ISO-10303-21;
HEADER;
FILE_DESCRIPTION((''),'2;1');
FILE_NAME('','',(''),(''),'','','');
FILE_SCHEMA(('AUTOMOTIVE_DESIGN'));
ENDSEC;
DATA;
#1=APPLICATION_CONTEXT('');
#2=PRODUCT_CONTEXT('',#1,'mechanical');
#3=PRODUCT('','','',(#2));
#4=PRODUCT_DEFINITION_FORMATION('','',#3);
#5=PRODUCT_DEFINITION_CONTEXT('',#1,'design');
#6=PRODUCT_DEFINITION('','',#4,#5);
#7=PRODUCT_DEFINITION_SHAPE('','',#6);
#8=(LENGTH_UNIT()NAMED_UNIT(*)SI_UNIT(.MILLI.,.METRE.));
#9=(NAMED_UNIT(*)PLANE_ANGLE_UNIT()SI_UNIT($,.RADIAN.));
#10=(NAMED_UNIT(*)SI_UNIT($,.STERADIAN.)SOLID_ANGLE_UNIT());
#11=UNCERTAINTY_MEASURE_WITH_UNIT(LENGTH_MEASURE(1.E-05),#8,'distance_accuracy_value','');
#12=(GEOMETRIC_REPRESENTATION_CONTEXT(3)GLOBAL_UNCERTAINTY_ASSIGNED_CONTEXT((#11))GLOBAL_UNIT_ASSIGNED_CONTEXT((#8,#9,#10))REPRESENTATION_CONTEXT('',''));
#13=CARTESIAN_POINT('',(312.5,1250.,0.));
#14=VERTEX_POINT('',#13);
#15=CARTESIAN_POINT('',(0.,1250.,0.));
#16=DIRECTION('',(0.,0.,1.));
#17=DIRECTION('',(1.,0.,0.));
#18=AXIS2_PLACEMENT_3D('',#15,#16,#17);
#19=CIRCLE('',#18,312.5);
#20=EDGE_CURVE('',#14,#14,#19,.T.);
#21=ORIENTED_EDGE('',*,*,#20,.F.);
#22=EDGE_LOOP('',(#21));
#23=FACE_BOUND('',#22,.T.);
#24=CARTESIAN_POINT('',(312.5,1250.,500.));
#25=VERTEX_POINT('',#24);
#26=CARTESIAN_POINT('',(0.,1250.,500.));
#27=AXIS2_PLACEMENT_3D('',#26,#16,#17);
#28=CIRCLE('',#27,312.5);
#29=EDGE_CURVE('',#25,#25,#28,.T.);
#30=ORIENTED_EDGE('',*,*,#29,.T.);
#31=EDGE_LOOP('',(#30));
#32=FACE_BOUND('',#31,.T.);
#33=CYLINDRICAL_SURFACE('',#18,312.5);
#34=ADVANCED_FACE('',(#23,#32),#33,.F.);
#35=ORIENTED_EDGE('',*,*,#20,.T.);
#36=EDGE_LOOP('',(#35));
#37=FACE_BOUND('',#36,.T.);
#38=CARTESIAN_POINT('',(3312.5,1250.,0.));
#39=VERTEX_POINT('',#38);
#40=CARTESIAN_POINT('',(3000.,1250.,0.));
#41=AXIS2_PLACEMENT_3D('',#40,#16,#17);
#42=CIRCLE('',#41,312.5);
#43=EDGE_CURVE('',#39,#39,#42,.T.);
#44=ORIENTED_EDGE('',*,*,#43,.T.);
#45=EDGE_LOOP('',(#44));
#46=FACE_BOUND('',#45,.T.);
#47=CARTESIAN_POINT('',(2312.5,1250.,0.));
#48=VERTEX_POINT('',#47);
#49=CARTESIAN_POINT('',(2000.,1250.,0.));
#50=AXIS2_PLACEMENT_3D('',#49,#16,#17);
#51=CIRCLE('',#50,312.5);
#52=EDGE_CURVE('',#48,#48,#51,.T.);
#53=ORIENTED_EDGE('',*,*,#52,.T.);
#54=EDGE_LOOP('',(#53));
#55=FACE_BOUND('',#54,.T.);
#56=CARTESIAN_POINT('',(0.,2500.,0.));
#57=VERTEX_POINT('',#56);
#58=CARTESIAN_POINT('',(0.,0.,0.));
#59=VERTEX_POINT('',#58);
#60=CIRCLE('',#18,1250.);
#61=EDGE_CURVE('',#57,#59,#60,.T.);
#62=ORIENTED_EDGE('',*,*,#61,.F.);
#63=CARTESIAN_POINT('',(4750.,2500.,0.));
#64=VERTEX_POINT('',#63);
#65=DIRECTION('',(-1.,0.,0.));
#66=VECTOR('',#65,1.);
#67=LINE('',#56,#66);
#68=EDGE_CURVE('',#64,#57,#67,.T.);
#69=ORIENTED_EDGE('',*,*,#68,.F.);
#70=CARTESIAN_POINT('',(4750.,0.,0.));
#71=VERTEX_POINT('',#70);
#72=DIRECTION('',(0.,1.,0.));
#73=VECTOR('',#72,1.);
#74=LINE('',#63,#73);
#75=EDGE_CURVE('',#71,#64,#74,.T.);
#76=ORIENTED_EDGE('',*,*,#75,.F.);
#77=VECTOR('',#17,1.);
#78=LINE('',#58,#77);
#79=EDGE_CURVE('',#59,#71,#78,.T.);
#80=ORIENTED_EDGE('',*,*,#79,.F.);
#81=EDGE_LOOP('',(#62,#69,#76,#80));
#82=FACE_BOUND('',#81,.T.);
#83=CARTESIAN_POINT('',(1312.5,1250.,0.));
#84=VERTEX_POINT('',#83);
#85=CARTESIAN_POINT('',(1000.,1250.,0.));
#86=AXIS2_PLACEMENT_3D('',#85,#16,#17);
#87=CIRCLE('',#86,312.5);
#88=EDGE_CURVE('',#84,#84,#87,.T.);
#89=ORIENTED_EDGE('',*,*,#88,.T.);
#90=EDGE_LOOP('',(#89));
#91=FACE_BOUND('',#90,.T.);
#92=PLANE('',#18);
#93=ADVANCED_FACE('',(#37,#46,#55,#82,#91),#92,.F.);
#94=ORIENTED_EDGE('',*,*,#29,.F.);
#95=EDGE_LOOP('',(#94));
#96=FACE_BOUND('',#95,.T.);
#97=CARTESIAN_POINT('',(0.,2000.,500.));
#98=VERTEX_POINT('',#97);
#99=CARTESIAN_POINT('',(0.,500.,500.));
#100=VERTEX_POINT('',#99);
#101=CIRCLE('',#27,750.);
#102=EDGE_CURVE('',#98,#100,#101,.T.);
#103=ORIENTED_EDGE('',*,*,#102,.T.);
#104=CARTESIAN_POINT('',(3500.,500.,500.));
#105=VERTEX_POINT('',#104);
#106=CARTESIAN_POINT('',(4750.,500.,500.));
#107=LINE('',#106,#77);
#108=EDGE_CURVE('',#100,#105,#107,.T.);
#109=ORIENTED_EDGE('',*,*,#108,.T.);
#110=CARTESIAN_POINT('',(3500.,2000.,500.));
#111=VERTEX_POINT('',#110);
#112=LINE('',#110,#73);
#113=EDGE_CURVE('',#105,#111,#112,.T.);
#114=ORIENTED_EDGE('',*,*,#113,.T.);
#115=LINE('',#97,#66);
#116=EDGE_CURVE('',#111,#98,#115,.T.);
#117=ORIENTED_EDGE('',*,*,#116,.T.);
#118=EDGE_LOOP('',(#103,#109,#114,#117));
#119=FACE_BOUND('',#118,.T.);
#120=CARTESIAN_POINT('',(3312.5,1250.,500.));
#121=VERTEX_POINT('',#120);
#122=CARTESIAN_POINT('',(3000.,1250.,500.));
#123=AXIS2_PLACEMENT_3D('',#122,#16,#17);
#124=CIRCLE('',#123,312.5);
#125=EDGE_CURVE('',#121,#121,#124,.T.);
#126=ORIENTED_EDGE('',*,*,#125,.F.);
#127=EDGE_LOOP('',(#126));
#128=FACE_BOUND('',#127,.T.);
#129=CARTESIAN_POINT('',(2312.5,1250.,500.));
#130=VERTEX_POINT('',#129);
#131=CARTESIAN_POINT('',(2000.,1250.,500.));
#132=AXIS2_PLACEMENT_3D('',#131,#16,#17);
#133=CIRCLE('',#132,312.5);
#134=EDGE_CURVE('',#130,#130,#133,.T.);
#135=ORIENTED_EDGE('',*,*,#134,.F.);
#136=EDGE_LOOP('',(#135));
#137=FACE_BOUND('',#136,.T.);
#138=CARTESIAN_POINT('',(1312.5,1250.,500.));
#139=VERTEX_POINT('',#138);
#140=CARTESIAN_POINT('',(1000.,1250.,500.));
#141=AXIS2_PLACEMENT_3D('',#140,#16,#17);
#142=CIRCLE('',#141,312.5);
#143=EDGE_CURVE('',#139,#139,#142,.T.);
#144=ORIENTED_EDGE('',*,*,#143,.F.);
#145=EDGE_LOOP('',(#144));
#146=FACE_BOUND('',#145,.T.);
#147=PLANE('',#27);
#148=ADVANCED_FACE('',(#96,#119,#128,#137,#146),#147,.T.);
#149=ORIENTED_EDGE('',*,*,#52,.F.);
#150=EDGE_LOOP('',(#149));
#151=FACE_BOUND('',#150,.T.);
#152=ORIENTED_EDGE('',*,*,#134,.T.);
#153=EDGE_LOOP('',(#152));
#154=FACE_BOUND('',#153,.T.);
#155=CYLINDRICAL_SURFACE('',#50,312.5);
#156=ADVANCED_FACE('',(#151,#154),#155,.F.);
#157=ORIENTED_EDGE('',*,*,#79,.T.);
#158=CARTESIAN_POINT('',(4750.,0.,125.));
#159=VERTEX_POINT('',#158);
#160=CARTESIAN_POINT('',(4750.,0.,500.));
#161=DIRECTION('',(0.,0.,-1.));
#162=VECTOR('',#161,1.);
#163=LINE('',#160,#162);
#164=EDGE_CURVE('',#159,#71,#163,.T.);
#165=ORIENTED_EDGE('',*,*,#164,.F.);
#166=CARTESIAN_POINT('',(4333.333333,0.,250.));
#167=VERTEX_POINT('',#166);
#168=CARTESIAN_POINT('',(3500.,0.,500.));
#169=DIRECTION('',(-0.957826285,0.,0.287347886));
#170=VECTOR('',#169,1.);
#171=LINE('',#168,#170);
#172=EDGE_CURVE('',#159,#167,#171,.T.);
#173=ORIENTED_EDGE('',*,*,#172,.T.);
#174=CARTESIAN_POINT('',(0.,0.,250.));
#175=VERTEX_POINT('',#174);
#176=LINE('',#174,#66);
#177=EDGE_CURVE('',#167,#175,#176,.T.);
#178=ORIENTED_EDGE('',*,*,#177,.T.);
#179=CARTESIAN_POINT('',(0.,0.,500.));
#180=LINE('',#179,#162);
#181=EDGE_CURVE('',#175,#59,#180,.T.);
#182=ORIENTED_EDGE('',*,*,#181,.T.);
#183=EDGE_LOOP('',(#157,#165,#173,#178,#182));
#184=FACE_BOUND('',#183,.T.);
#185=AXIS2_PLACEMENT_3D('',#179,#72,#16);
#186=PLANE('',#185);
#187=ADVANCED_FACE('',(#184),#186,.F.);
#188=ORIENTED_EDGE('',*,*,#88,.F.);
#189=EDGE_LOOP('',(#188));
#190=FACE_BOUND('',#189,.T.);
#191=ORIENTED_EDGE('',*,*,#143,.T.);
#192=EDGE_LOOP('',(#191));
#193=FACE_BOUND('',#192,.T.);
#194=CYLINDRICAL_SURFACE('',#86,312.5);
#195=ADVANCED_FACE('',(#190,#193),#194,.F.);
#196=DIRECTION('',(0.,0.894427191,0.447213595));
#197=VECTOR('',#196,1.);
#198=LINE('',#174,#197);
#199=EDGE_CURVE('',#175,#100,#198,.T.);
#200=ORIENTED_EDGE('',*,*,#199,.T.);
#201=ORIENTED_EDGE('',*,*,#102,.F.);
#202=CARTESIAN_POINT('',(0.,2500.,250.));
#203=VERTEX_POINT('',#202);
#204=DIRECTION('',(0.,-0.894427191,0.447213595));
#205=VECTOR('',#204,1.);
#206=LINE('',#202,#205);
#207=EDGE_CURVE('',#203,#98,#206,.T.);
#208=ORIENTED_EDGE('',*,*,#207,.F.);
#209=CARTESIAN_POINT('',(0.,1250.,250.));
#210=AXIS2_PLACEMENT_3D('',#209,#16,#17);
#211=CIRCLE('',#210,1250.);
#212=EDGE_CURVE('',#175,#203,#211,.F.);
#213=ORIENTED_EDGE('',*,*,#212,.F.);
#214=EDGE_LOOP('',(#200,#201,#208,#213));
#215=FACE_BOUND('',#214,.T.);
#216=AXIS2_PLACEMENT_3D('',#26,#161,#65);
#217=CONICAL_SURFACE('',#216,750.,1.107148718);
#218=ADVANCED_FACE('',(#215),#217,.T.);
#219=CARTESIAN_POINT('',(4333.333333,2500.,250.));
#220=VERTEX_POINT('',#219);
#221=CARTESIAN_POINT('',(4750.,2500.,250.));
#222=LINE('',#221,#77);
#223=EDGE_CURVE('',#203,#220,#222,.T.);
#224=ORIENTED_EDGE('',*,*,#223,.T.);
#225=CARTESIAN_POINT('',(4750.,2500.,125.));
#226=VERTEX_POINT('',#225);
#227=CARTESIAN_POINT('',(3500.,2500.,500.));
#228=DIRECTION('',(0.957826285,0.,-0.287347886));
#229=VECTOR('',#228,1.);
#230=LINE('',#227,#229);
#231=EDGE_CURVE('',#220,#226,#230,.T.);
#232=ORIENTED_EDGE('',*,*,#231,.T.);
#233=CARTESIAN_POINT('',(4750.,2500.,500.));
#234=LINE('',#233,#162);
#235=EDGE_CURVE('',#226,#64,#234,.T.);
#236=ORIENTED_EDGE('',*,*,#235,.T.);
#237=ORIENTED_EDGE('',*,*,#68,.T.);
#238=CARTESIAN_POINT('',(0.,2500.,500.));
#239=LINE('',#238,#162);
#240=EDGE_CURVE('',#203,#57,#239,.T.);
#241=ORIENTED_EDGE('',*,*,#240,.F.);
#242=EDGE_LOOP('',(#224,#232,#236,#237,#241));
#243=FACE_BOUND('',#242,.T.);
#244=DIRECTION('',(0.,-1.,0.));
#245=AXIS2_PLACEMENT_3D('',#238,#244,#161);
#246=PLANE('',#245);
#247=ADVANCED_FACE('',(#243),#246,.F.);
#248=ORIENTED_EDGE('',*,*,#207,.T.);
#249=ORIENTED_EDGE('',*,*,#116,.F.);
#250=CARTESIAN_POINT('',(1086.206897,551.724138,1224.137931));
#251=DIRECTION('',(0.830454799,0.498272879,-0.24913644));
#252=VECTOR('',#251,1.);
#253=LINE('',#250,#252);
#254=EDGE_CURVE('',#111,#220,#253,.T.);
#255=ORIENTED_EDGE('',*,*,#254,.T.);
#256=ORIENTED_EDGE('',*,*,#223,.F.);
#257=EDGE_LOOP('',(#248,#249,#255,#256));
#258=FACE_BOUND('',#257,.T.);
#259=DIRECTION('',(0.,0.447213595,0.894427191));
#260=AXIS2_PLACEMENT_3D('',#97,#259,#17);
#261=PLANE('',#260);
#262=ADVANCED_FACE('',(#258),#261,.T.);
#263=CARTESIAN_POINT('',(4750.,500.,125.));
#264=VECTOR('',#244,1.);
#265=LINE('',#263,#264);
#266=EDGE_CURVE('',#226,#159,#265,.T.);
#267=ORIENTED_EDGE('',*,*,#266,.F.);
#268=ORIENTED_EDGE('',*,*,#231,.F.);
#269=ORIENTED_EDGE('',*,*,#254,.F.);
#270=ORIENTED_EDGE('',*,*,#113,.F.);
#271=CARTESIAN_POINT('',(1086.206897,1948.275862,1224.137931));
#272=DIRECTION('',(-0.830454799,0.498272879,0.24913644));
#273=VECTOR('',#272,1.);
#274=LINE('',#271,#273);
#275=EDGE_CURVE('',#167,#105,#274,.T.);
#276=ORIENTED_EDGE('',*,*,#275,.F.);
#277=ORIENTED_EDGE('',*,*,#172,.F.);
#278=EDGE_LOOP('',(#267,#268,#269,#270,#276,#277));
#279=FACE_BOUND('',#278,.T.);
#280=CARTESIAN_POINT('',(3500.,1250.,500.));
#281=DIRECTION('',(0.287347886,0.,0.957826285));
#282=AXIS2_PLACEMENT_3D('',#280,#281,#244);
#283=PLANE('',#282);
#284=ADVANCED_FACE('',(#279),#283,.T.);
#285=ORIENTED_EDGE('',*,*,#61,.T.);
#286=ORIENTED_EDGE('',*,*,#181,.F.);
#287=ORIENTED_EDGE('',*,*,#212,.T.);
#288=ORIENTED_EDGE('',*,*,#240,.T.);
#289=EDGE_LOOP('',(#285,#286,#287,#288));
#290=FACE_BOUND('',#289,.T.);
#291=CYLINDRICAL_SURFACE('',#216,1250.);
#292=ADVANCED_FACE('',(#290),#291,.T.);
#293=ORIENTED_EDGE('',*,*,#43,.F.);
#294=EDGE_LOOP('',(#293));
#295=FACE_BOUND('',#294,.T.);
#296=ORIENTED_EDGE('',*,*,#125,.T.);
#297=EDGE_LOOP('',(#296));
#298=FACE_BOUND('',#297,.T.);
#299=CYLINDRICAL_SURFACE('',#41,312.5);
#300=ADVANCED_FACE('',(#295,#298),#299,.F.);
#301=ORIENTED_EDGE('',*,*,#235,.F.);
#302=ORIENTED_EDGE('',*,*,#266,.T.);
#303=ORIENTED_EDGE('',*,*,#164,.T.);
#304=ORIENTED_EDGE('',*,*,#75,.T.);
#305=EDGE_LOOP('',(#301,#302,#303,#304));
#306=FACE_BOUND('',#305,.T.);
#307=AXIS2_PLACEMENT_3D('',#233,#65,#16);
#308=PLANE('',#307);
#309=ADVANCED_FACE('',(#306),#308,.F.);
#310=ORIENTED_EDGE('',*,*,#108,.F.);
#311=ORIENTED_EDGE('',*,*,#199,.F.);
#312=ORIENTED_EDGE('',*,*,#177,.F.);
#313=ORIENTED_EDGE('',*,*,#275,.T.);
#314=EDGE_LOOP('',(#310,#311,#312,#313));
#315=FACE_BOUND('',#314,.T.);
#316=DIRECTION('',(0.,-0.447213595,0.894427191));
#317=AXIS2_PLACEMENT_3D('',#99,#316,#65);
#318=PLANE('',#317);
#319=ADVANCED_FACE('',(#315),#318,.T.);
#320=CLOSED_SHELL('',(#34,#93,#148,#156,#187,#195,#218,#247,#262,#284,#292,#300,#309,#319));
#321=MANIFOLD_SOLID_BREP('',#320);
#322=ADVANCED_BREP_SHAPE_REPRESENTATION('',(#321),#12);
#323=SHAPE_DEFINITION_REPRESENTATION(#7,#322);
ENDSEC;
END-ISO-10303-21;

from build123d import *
from OCP.BRepFilletAPI import BRepFilletAPI_MakeChamfer

# Parameters (mm, degrees)
BOSS_EXTRUDE1_DEPTH = 500
CHAMFER1_SIZE       = 250
CHAMFER1_SIZE2      = 500
CHAMFER2_SIZE       = 375
CHAMFER2_SIZE2      = 1250
SKETCH3_R           = 312.5
CUT_EXTRUDE1_DEPTH  = 5391.964663212


with BuildPart() as part:
    # Sketch2 → Boss-Extrude1 (new body)
    with BuildSketch(Plane.XY):
        with BuildLine():
            Line((0, 2500), (4750, 2500))
            Line((4750, 2500), (4750, 0))
            Line((4750, 0), (0, 0))
            ThreePointArc((0, 0), (-1250, 1250), (0, 2500))
        make_face()
    extrude(amount=BOSS_EXTRUDE1_DEPTH)

    # Chamfer1: one chamfer whose edges measure the first distance from different faces: ONE call of the kernel's chamfer builder (chamfer() names one face for all edges)
    chamfer1_edges_1 = [part.edges().sort_by_distance(p)[0] for p in [
        (2375, 2500, 500),
    ]]
    chamfer1_side_1 = [part.faces().sort_by_distance(p)[0] for p in [
        (2375, 2500, 250),
    ]]
    chamfer1_edges_2 = [part.edges().sort_by_distance(p)[0] for p in [
        (-1250, 1250, 500),
    ]]
    chamfer1_side_2 = [part.faces().sort_by_distance(p)[0] for p in [
        (-1250, 1250, 250),
    ]]
    chamfer1_edges_3 = [part.edges().sort_by_distance(p)[0] for p in [
        (2375, 0, 500),
    ]]
    chamfer1_side_3 = [part.faces().sort_by_distance(p)[0] for p in [
        (2375, 0, 250),
    ]]
    chamfer1 = BRepFilletAPI_MakeChamfer(part.part.solid().wrapped)
    for e in chamfer1_edges_1:
        chamfer1.Add(CHAMFER1_SIZE, CHAMFER1_SIZE2, e.wrapped, chamfer1_side_1[0].wrapped)  # the first distance lies on this face
    for e in chamfer1_edges_2:
        chamfer1.Add(CHAMFER1_SIZE, CHAMFER1_SIZE2, e.wrapped, chamfer1_side_2[0].wrapped)  # the first distance lies on this face
    for e in chamfer1_edges_3:
        chamfer1.Add(CHAMFER1_SIZE, CHAMFER1_SIZE2, e.wrapped, chamfer1_side_3[0].wrapped)  # the first distance lies on this face
    add(Compound.cast(chamfer1.Shape()), mode=Mode.REPLACE)

    # Chamfer2
    chamfer2_edges = [part.edges().sort_by_distance(p)[0] for p in [
        (4750, 1250, 500),
    ]]
    chamfer2_side = [part.faces().sort_by_distance(p)[0] for p in [
        (4750, 1250, 231.481481481),
    ]]
    chamfer(chamfer2_edges, length=CHAMFER2_SIZE, length2=CHAMFER2_SIZE2, reference=chamfer2_side[0])

    # Sketch3 → Cut-Extrude1 (cut, through all)
    with BuildSketch(Plane.XY.offset(500)):
        with Locations((0, 1250)):
            Circle(SKETCH3_R)
        with Locations((1000, 1250)):
            Circle(SKETCH3_R)
        with Locations((2000, 1250)):
            Circle(SKETCH3_R)
        with Locations((3000, 1250)):
            Circle(SKETCH3_R)
    extrude(amount=-CUT_EXTRUDE1_DEPTH, mode=Mode.SUBTRACT)


solid = part.part
